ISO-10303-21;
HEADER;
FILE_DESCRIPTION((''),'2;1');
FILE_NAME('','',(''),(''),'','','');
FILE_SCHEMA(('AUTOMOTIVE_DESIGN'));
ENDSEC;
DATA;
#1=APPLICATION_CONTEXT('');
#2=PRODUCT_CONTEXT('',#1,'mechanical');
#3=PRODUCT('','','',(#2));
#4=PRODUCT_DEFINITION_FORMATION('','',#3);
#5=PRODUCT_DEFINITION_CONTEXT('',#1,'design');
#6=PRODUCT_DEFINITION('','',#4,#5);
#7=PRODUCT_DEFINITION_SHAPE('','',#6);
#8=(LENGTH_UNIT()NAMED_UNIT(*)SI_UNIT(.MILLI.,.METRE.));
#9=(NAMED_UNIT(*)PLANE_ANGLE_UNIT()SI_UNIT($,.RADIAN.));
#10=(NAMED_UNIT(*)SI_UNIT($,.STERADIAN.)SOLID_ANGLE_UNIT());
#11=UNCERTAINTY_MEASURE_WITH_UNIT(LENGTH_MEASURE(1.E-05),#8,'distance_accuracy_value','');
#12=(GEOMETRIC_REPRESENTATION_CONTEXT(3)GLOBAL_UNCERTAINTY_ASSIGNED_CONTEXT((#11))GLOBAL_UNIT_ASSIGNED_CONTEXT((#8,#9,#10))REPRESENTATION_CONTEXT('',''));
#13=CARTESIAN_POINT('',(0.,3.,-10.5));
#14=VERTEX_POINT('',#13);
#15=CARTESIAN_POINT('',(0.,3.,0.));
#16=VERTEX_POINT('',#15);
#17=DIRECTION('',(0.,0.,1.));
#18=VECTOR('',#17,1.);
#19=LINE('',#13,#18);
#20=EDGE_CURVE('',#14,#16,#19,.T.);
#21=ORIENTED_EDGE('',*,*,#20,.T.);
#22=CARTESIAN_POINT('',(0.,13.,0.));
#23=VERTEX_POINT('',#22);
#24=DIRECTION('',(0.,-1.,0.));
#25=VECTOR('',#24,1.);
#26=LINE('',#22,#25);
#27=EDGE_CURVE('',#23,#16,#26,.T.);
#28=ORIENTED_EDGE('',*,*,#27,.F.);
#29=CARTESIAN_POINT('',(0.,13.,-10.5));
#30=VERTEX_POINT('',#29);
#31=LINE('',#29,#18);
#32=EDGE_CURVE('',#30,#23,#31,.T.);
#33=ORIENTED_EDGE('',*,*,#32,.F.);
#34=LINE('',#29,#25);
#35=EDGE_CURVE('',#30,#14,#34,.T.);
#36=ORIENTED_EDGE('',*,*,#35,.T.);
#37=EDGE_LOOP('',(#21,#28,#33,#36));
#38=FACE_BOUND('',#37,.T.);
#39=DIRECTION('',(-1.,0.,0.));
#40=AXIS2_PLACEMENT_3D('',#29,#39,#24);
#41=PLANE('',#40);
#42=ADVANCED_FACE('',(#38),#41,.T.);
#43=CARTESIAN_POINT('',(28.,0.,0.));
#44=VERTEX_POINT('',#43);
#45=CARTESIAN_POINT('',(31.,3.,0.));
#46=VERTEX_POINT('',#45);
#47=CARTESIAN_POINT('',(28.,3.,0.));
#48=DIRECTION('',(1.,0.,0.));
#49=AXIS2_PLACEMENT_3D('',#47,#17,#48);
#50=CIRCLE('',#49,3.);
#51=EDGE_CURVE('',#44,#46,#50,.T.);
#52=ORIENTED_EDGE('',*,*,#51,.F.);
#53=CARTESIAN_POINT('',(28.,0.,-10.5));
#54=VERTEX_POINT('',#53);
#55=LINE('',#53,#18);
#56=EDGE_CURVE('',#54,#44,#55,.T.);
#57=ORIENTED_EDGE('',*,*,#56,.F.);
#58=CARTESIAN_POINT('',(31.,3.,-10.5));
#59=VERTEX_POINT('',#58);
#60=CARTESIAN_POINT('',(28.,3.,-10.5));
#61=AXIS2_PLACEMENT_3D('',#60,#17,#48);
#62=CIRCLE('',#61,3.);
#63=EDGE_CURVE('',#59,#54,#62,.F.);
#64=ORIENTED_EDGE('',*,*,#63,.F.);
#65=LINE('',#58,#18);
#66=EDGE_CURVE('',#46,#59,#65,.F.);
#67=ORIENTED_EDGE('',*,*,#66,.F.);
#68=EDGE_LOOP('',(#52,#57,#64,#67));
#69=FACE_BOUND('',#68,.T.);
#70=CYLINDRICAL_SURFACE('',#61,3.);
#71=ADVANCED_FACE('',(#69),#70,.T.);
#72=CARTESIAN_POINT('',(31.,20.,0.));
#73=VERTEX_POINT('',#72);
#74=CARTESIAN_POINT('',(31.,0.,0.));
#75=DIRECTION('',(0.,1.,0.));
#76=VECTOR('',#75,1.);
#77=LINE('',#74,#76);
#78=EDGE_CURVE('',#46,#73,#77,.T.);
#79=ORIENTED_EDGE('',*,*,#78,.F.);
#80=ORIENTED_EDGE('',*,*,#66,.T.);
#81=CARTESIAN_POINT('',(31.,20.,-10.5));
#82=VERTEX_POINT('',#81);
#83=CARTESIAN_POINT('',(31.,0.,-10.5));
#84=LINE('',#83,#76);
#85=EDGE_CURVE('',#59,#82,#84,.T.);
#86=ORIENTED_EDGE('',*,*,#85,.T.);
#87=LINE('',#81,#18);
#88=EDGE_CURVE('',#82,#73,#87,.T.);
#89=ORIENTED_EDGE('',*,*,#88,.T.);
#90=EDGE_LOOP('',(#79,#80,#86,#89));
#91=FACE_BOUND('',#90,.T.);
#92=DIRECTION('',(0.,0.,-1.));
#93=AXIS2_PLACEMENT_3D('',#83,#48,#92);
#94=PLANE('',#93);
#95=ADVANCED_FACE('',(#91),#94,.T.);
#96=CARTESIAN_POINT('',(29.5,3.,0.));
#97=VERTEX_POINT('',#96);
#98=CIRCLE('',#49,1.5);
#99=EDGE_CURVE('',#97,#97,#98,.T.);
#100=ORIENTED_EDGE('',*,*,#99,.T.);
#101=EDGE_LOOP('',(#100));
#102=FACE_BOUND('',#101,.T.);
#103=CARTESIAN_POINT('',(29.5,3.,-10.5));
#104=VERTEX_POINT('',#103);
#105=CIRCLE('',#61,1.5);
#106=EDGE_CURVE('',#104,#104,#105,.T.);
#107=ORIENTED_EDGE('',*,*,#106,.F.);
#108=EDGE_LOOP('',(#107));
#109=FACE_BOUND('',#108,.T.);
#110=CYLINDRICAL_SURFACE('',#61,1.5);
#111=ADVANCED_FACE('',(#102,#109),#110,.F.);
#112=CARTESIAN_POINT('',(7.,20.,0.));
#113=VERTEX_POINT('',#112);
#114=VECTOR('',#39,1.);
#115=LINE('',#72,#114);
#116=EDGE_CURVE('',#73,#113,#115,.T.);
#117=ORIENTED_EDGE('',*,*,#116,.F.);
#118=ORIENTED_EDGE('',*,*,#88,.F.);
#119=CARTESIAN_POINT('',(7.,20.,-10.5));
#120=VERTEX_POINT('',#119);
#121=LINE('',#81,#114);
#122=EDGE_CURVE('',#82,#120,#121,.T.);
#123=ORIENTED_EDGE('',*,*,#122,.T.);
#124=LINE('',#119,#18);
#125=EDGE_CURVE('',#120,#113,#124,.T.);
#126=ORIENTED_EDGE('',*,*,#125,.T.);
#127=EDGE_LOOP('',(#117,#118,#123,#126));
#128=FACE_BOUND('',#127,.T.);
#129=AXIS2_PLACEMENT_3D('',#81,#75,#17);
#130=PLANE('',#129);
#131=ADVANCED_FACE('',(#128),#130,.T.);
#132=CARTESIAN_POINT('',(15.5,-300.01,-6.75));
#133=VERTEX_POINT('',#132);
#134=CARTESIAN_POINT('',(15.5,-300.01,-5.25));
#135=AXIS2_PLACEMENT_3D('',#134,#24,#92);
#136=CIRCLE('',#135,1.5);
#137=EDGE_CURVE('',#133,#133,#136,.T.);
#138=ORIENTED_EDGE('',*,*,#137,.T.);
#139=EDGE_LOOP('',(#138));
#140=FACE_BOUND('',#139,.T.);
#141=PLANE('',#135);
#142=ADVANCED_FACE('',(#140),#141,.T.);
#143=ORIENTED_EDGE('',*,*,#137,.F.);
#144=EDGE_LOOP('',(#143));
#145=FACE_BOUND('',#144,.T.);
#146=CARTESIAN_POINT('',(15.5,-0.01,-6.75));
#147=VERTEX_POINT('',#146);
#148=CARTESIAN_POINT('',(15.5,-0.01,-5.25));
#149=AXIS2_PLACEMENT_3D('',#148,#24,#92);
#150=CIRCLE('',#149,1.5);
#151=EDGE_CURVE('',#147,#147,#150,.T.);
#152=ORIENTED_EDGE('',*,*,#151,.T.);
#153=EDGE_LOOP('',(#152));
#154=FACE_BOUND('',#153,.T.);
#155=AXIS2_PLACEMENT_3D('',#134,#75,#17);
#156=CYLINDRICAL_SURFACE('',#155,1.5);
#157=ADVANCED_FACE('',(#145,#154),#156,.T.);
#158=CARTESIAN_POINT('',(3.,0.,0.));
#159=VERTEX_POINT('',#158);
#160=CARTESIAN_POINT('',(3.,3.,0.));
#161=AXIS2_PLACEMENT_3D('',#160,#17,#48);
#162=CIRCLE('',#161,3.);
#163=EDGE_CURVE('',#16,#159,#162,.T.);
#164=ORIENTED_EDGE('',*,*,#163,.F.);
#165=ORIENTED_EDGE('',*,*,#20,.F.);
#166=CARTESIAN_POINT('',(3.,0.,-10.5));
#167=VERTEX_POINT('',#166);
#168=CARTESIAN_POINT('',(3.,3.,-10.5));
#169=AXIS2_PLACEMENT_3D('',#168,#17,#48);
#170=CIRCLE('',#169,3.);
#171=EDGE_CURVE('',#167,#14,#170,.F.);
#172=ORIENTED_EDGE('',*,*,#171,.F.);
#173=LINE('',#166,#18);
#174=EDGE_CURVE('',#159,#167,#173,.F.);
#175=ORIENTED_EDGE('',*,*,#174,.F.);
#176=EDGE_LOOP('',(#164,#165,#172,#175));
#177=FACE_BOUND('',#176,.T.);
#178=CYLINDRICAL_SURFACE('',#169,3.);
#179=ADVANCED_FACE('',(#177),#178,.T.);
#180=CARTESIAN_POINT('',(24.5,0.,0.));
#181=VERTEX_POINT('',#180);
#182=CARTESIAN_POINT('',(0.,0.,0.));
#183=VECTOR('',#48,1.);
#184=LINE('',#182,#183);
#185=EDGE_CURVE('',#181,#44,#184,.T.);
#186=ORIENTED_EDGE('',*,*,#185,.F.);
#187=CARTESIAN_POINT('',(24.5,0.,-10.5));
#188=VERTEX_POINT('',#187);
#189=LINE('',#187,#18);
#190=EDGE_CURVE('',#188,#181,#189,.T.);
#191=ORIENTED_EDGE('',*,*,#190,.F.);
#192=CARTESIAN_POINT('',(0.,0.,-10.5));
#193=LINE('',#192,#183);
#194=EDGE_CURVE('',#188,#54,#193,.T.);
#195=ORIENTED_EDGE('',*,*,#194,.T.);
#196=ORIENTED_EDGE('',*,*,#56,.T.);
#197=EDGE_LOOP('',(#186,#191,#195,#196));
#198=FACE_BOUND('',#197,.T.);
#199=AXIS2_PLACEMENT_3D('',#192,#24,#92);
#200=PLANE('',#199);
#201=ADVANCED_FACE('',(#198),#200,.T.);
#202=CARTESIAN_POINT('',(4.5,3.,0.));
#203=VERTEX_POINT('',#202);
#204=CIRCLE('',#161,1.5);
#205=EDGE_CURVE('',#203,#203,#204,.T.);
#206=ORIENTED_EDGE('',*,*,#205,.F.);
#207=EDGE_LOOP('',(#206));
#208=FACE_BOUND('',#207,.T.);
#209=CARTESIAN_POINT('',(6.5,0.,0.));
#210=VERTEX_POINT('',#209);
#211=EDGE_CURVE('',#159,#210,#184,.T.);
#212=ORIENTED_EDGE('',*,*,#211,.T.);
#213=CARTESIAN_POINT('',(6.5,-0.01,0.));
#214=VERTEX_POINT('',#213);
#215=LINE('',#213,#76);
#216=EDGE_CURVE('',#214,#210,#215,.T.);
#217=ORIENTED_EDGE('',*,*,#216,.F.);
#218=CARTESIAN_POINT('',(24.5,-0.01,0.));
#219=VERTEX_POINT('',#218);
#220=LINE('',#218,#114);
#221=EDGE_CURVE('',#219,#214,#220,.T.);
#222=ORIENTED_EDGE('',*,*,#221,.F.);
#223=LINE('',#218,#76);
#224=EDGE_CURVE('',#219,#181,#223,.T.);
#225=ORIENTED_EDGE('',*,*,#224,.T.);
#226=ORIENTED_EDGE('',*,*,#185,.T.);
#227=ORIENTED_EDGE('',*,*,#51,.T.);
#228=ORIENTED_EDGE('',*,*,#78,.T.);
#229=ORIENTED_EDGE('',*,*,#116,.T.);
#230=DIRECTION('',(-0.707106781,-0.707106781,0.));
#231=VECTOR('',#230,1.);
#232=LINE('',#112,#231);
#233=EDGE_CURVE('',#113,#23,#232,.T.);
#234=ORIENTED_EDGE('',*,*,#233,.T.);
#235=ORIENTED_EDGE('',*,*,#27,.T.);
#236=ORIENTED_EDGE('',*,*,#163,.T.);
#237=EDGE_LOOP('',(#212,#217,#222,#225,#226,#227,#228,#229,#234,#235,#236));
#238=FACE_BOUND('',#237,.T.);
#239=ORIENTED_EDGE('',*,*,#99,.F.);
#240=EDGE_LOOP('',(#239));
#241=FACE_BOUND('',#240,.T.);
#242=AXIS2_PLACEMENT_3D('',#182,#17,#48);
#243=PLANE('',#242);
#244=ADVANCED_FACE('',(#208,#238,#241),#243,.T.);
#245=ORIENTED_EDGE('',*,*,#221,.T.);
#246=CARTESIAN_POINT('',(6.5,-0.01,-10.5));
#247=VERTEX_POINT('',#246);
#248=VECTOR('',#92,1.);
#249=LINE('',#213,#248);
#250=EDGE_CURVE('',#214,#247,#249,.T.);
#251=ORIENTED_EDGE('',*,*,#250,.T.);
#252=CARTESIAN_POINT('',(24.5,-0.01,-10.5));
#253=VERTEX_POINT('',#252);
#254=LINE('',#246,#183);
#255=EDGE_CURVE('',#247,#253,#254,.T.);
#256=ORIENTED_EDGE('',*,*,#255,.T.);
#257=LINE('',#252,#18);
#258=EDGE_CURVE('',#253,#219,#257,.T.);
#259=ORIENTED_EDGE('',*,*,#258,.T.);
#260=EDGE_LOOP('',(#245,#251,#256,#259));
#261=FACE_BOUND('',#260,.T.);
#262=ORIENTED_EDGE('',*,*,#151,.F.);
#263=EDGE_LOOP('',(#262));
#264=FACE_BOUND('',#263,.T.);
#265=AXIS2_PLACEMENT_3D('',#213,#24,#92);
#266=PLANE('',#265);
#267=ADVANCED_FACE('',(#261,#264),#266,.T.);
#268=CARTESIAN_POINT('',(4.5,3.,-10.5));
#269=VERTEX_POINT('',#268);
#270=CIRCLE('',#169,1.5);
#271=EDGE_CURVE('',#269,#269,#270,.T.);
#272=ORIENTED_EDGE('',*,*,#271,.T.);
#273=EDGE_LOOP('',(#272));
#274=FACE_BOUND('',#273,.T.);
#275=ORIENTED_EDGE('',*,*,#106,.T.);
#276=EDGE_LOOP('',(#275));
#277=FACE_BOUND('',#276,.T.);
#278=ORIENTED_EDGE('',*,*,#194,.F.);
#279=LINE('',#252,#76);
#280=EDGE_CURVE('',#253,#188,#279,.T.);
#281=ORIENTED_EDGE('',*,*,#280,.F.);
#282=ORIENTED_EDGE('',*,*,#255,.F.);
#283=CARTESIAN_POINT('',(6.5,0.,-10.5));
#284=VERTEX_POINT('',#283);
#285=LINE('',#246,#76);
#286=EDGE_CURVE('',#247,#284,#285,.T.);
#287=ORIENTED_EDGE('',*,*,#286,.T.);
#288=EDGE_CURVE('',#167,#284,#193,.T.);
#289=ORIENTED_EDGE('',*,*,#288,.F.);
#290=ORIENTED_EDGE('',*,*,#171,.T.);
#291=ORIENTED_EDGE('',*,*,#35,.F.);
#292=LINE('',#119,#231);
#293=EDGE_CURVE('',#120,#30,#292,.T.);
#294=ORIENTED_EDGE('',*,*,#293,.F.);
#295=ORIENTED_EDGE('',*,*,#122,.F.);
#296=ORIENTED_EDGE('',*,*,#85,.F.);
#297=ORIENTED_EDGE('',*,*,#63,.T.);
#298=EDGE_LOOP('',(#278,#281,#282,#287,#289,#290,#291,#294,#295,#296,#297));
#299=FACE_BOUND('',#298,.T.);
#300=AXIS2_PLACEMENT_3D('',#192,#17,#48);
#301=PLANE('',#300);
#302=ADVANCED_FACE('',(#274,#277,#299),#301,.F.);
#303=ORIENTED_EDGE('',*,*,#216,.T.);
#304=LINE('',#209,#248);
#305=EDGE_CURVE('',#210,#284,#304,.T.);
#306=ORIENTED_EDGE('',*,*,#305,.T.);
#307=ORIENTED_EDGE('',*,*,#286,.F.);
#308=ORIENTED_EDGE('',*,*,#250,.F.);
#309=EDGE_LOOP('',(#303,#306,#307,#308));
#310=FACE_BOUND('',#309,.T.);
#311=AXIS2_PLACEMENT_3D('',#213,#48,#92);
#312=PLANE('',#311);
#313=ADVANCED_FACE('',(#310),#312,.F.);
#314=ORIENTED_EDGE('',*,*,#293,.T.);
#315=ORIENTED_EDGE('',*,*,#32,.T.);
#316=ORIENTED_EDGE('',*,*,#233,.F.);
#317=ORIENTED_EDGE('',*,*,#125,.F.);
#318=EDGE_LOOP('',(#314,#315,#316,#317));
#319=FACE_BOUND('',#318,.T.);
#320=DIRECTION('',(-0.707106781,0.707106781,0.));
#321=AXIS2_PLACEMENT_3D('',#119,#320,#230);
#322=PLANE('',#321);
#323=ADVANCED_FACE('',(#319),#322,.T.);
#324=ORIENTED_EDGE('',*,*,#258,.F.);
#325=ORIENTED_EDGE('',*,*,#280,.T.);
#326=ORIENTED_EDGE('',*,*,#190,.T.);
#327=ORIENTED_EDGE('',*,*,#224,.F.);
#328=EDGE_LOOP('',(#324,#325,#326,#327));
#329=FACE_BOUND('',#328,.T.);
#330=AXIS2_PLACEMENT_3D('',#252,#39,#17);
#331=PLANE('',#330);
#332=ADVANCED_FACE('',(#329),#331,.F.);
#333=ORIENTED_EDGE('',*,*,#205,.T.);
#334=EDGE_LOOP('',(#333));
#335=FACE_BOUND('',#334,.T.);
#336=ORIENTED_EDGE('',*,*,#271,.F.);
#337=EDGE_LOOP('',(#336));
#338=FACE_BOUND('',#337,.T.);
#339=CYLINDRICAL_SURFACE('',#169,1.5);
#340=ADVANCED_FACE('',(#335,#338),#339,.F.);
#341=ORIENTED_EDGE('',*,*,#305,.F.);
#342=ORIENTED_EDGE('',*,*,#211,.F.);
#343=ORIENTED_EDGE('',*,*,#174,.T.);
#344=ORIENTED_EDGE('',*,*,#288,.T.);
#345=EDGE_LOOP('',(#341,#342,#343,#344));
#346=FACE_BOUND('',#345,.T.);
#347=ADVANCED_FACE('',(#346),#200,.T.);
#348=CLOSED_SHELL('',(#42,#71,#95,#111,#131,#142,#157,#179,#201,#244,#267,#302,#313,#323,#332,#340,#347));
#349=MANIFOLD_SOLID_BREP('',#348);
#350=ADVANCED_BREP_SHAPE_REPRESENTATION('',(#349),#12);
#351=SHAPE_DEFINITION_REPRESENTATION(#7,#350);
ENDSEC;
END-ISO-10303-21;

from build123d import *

# Parameters (mm, degrees)
BOSS_EXTRU_1_DEPTH      = 10.5
ESQUISSE2_R             = 1.5
ENL_V_MAT_EXTRU_1_DEPTH = 11.5
CONG_1_R                = 3
ESQUISSE3_W             = 18
ESQUISSE3_H             = 10.5
BOSS_EXTRU_2_DEPTH      = 0.01
ESQUISSE4_R             = 1.5
BOSS_EXTRU_3_DEPTH      = 300


with BuildPart() as part:
    # Esquisse1 → Boss.-Extru.1 (new body)
    with BuildSketch(Plane.XY):
        Polygon((0, 0), (31, 0), (31, 20), (7, 20), (0, 13), align=None)
    extrude(amount=-BOSS_EXTRU_1_DEPTH)

    # Esquisse2 → Enlèv. mat.-Extru.1 (cut, through all)
    with BuildSketch(Plane.XY):
        with Locations((3, 3)):
            Circle(ESQUISSE2_R)
        with Locations((28, 3)):
            Circle(ESQUISSE2_R)
    extrude(amount=-ENL_V_MAT_EXTRU_1_DEPTH, mode=Mode.SUBTRACT)

    # Congé1
    cong_1_edges = [part.edges().sort_by_distance(p)[0] for p in [
        (31, 0, -5.25),
        (0, 0, -5.25),
    ]]
    fillet(cong_1_edges, radius=CONG_1_R)

    # Esquisse3 → Boss.-Extru.2 (add)
    with BuildSketch(Plane.XZ):
        with Locations((15.5, -5.25)):
            Rectangle(ESQUISSE3_W, ESQUISSE3_H)
    extrude(amount=BOSS_EXTRU_2_DEPTH)

    # Esquisse4 → Boss.-Extru.3 (add)
    with BuildSketch(Plane.XZ.offset(0.01)):
        with Locations((15.5, -5.25)):
            Circle(ESQUISSE4_R)
    extrude(amount=BOSS_EXTRU_3_DEPTH)


solid = part.part
